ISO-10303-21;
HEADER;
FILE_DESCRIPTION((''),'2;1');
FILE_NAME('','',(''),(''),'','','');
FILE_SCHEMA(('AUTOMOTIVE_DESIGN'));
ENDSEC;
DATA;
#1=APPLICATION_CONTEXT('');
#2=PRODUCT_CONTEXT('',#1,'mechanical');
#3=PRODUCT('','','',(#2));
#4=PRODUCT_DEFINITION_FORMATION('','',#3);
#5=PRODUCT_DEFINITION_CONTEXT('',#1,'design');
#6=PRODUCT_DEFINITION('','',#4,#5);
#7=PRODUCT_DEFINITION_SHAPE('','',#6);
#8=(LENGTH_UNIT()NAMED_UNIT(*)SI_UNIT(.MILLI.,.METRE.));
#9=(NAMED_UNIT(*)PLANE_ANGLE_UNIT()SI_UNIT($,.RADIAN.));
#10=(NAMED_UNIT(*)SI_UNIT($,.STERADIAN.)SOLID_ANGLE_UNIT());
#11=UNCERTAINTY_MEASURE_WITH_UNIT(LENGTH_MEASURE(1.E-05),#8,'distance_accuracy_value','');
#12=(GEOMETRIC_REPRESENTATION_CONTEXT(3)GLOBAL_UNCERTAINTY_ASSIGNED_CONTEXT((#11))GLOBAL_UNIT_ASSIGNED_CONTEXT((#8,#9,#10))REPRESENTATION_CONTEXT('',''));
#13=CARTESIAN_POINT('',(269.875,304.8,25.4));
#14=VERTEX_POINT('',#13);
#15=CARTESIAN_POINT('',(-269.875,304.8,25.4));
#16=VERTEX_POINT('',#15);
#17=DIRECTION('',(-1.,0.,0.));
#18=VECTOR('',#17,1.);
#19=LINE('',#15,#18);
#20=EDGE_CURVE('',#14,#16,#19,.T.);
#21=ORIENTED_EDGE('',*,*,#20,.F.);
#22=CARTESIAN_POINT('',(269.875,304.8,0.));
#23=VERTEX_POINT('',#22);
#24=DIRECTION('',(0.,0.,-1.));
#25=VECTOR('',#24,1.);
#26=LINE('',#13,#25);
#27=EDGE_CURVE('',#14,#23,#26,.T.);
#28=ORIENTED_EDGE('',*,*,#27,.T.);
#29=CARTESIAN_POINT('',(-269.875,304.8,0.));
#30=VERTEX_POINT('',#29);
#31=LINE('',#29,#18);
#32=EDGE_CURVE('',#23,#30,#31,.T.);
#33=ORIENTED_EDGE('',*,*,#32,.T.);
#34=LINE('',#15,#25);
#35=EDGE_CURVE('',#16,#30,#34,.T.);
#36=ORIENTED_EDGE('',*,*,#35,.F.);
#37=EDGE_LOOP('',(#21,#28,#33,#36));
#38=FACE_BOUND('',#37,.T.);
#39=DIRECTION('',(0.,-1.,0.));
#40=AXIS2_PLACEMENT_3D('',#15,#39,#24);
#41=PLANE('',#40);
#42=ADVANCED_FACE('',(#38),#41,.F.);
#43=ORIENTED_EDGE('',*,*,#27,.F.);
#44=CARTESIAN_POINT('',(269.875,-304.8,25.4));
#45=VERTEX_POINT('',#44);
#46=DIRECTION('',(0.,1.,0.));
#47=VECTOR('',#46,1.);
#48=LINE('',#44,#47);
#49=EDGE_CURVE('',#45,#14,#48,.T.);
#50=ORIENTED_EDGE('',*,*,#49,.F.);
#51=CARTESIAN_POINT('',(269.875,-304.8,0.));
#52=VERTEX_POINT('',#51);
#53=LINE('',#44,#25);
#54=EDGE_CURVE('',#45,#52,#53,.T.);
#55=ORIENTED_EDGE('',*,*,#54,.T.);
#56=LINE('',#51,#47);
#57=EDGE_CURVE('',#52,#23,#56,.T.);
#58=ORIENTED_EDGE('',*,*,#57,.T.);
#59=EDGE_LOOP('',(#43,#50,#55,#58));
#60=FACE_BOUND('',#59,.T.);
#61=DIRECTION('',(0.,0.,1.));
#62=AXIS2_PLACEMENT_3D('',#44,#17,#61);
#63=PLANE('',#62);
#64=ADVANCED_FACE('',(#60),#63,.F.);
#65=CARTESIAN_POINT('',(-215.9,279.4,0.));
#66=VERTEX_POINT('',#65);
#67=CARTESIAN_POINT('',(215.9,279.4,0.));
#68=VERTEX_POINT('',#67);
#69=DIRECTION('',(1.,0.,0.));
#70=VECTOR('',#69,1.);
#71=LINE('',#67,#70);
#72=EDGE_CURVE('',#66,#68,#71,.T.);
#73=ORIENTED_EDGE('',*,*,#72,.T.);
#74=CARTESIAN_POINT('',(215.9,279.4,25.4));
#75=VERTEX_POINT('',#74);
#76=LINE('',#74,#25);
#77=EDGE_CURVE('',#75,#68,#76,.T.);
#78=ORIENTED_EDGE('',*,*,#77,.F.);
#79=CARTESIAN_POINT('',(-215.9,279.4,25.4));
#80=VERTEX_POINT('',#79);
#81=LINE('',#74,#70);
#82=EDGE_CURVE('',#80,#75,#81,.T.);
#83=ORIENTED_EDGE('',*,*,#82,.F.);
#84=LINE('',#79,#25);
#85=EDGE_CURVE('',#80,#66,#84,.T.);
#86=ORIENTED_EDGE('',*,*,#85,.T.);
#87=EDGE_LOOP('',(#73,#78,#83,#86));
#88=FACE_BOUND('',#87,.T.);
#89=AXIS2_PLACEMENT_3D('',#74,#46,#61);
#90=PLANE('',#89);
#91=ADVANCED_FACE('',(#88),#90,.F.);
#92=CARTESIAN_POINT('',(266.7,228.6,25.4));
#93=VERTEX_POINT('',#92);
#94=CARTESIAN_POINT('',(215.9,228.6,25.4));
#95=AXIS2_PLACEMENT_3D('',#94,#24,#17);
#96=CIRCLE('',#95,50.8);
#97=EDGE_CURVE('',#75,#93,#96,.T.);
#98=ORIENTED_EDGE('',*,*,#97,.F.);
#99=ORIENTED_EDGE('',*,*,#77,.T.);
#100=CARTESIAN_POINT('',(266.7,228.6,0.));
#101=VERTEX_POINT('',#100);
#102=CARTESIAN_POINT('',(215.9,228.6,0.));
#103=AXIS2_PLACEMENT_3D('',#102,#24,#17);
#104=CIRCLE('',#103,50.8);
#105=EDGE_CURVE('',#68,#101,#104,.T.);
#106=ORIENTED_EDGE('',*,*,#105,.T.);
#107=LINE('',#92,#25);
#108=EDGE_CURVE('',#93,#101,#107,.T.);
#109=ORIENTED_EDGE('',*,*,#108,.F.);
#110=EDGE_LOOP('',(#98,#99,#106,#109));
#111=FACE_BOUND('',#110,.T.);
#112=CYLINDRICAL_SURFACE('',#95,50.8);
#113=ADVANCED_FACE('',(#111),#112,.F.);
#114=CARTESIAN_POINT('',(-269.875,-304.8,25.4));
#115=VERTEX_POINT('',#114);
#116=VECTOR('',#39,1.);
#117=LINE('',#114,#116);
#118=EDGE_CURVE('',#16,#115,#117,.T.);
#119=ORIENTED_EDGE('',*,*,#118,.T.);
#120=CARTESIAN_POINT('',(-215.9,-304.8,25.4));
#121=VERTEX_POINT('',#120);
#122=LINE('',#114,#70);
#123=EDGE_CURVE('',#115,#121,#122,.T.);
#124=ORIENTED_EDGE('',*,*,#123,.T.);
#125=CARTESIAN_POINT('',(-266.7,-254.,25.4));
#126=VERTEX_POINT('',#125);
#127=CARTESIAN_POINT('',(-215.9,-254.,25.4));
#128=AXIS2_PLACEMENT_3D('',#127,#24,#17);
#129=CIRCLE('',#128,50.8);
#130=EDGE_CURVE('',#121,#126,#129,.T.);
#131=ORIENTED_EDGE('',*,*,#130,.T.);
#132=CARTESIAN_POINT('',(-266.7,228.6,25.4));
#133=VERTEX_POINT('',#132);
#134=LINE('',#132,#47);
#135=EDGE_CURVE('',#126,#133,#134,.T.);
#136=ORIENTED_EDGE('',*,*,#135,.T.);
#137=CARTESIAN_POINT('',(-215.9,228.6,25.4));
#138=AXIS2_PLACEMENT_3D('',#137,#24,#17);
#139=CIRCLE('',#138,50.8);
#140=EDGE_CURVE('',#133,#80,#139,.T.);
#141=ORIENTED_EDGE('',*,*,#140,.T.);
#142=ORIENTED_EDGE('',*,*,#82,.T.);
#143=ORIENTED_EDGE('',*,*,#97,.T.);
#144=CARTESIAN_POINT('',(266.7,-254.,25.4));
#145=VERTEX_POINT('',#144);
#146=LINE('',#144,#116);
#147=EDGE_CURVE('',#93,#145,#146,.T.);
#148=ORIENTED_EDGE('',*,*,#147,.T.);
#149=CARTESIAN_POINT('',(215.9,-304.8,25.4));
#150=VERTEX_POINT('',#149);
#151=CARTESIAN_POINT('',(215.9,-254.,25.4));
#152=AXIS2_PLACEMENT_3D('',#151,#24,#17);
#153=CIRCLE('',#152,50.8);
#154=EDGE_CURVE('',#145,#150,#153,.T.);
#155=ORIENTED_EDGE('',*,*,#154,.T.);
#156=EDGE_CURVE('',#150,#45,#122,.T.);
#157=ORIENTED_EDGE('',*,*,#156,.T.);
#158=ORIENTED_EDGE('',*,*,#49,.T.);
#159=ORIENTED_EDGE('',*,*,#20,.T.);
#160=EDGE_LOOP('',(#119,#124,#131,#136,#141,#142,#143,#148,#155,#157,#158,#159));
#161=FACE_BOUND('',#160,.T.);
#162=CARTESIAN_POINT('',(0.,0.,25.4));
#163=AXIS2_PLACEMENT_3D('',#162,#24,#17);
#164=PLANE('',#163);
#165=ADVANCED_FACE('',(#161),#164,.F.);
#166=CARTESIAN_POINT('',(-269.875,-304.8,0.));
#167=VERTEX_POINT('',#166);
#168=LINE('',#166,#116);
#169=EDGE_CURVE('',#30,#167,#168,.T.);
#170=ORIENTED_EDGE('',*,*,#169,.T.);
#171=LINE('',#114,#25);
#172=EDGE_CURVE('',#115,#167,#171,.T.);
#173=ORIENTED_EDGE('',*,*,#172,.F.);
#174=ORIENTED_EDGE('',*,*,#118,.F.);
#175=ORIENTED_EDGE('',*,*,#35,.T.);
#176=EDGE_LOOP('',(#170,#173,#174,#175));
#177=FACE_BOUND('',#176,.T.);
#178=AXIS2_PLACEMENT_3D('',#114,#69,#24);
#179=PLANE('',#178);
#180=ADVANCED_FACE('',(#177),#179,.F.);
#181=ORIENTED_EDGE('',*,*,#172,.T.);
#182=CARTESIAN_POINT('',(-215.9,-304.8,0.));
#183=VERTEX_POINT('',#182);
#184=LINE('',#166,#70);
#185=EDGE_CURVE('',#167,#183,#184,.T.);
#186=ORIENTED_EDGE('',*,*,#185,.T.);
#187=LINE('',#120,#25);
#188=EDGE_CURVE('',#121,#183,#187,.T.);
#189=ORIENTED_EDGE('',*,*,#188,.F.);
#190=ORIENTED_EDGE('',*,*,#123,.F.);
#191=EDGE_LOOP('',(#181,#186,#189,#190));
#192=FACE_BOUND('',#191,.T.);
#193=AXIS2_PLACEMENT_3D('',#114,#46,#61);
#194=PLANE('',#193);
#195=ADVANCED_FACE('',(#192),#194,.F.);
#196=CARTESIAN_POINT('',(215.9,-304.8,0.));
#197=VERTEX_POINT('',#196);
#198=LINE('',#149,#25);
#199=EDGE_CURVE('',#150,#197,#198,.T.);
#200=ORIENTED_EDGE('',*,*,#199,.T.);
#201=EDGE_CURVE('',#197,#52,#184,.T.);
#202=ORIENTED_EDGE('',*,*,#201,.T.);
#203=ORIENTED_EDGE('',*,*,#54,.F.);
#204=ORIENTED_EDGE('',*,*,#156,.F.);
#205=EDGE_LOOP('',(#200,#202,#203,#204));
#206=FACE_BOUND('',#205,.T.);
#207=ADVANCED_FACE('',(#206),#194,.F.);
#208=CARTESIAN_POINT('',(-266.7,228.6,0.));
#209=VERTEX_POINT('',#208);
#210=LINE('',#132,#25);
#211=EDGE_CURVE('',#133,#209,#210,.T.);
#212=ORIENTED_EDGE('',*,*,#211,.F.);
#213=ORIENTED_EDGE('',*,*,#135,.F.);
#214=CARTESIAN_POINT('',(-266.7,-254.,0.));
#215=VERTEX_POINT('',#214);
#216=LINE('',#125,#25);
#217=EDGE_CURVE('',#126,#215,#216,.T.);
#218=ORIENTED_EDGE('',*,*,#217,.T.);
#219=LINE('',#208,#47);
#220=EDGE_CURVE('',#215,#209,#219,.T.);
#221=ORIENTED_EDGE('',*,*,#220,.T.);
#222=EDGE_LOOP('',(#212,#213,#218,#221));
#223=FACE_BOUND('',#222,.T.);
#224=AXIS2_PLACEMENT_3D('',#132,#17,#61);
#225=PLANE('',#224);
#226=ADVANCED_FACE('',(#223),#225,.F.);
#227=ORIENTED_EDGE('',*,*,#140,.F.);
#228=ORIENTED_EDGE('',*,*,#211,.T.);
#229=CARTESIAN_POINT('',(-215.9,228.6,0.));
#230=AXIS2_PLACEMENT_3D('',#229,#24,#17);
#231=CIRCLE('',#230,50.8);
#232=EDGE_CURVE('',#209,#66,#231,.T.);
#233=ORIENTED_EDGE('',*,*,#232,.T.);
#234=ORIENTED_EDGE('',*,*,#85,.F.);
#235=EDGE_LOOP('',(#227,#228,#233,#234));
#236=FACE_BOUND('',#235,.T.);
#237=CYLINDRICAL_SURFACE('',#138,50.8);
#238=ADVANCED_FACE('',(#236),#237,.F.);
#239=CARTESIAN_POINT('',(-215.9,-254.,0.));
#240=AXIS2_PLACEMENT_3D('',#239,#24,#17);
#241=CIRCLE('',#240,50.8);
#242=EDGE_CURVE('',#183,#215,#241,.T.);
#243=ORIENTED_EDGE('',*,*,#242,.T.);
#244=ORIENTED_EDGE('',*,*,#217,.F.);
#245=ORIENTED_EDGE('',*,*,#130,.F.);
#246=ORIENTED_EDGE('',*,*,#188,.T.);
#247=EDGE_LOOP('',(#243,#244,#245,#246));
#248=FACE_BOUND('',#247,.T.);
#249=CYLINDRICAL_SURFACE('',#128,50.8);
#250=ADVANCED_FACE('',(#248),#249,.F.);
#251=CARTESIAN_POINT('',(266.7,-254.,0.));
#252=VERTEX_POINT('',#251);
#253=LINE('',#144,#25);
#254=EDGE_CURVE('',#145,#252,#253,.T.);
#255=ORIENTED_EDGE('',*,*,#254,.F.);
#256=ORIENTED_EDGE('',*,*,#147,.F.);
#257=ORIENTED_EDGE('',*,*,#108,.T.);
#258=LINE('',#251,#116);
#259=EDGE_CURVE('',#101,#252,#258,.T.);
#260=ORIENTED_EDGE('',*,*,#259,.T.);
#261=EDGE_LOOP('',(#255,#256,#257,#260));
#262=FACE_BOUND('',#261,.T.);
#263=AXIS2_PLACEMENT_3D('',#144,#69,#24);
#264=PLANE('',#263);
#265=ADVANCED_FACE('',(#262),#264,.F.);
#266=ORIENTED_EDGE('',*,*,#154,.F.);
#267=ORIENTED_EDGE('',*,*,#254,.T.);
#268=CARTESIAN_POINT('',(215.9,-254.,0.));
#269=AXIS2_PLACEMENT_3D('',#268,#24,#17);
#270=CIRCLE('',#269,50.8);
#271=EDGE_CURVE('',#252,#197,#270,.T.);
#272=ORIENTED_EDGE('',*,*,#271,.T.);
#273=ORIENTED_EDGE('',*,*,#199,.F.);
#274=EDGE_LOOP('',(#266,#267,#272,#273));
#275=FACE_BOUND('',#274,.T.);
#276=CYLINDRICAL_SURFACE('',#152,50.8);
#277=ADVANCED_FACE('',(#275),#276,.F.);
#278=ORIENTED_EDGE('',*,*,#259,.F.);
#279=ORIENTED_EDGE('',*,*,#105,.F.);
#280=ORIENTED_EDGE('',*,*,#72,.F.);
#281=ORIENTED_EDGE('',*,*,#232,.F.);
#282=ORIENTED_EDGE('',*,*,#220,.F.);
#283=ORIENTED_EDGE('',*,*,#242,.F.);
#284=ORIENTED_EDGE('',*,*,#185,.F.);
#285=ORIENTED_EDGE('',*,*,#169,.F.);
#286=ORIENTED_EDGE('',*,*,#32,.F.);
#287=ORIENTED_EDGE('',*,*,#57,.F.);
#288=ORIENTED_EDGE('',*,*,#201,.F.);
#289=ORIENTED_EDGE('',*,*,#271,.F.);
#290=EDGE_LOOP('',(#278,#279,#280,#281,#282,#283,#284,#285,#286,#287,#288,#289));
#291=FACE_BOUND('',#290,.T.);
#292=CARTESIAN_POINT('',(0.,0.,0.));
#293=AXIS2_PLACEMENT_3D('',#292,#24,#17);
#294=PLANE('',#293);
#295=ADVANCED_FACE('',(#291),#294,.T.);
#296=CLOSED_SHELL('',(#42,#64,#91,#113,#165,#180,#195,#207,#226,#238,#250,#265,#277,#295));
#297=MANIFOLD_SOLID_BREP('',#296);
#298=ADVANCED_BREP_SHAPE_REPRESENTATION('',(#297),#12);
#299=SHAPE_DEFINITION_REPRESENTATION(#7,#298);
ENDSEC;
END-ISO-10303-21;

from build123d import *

# Parameters (mm, degrees)
SKETCH1_W           = 539.75
SKETCH1_H           = 609.6
BOSS_EXTRUDE1_DEPTH = 25.4
CUT_EXTRUDE1_DEPTH  = 26.4


with BuildPart() as part:
    # Sketch1 → Boss-Extrude1 (new body)
    with BuildSketch(Plane.XY):
        Rectangle(SKETCH1_W, SKETCH1_H)
    extrude(amount=BOSS_EXTRUDE1_DEPTH)

    # Sketch2 → Cut-Extrude1 (cut, through all)
    with BuildSketch(Plane(origin=(0, 0, 0), x_dir=(-1, 0, 0), z_dir=(0, 0, -1))):
        with BuildLine():
            Line((-266.7, -254), (-266.7, 228.6))
            ThreePointArc((-266.7, 228.6), (-251.821024484, 264.521024484), (-215.9, 279.4))
            Line((-215.9, 279.4), (215.9, 279.4))
            ThreePointArc((215.9, 279.4), (251.821024484, 264.521024484), (266.7, 228.6))
            Line((266.7, 228.6), (266.7, -254))
            ThreePointArc((266.7, -254), (251.821024484, -289.921024484), (215.9, -304.8))
            Line((215.9, -304.8), (-215.9, -304.8))
            ThreePointArc((-215.9, -304.8), (-251.821024484, -289.921024484), (-266.7, -254))
        make_face()
    extrude(amount=-CUT_EXTRUDE1_DEPTH, mode=Mode.SUBTRACT)


solid = part.part
